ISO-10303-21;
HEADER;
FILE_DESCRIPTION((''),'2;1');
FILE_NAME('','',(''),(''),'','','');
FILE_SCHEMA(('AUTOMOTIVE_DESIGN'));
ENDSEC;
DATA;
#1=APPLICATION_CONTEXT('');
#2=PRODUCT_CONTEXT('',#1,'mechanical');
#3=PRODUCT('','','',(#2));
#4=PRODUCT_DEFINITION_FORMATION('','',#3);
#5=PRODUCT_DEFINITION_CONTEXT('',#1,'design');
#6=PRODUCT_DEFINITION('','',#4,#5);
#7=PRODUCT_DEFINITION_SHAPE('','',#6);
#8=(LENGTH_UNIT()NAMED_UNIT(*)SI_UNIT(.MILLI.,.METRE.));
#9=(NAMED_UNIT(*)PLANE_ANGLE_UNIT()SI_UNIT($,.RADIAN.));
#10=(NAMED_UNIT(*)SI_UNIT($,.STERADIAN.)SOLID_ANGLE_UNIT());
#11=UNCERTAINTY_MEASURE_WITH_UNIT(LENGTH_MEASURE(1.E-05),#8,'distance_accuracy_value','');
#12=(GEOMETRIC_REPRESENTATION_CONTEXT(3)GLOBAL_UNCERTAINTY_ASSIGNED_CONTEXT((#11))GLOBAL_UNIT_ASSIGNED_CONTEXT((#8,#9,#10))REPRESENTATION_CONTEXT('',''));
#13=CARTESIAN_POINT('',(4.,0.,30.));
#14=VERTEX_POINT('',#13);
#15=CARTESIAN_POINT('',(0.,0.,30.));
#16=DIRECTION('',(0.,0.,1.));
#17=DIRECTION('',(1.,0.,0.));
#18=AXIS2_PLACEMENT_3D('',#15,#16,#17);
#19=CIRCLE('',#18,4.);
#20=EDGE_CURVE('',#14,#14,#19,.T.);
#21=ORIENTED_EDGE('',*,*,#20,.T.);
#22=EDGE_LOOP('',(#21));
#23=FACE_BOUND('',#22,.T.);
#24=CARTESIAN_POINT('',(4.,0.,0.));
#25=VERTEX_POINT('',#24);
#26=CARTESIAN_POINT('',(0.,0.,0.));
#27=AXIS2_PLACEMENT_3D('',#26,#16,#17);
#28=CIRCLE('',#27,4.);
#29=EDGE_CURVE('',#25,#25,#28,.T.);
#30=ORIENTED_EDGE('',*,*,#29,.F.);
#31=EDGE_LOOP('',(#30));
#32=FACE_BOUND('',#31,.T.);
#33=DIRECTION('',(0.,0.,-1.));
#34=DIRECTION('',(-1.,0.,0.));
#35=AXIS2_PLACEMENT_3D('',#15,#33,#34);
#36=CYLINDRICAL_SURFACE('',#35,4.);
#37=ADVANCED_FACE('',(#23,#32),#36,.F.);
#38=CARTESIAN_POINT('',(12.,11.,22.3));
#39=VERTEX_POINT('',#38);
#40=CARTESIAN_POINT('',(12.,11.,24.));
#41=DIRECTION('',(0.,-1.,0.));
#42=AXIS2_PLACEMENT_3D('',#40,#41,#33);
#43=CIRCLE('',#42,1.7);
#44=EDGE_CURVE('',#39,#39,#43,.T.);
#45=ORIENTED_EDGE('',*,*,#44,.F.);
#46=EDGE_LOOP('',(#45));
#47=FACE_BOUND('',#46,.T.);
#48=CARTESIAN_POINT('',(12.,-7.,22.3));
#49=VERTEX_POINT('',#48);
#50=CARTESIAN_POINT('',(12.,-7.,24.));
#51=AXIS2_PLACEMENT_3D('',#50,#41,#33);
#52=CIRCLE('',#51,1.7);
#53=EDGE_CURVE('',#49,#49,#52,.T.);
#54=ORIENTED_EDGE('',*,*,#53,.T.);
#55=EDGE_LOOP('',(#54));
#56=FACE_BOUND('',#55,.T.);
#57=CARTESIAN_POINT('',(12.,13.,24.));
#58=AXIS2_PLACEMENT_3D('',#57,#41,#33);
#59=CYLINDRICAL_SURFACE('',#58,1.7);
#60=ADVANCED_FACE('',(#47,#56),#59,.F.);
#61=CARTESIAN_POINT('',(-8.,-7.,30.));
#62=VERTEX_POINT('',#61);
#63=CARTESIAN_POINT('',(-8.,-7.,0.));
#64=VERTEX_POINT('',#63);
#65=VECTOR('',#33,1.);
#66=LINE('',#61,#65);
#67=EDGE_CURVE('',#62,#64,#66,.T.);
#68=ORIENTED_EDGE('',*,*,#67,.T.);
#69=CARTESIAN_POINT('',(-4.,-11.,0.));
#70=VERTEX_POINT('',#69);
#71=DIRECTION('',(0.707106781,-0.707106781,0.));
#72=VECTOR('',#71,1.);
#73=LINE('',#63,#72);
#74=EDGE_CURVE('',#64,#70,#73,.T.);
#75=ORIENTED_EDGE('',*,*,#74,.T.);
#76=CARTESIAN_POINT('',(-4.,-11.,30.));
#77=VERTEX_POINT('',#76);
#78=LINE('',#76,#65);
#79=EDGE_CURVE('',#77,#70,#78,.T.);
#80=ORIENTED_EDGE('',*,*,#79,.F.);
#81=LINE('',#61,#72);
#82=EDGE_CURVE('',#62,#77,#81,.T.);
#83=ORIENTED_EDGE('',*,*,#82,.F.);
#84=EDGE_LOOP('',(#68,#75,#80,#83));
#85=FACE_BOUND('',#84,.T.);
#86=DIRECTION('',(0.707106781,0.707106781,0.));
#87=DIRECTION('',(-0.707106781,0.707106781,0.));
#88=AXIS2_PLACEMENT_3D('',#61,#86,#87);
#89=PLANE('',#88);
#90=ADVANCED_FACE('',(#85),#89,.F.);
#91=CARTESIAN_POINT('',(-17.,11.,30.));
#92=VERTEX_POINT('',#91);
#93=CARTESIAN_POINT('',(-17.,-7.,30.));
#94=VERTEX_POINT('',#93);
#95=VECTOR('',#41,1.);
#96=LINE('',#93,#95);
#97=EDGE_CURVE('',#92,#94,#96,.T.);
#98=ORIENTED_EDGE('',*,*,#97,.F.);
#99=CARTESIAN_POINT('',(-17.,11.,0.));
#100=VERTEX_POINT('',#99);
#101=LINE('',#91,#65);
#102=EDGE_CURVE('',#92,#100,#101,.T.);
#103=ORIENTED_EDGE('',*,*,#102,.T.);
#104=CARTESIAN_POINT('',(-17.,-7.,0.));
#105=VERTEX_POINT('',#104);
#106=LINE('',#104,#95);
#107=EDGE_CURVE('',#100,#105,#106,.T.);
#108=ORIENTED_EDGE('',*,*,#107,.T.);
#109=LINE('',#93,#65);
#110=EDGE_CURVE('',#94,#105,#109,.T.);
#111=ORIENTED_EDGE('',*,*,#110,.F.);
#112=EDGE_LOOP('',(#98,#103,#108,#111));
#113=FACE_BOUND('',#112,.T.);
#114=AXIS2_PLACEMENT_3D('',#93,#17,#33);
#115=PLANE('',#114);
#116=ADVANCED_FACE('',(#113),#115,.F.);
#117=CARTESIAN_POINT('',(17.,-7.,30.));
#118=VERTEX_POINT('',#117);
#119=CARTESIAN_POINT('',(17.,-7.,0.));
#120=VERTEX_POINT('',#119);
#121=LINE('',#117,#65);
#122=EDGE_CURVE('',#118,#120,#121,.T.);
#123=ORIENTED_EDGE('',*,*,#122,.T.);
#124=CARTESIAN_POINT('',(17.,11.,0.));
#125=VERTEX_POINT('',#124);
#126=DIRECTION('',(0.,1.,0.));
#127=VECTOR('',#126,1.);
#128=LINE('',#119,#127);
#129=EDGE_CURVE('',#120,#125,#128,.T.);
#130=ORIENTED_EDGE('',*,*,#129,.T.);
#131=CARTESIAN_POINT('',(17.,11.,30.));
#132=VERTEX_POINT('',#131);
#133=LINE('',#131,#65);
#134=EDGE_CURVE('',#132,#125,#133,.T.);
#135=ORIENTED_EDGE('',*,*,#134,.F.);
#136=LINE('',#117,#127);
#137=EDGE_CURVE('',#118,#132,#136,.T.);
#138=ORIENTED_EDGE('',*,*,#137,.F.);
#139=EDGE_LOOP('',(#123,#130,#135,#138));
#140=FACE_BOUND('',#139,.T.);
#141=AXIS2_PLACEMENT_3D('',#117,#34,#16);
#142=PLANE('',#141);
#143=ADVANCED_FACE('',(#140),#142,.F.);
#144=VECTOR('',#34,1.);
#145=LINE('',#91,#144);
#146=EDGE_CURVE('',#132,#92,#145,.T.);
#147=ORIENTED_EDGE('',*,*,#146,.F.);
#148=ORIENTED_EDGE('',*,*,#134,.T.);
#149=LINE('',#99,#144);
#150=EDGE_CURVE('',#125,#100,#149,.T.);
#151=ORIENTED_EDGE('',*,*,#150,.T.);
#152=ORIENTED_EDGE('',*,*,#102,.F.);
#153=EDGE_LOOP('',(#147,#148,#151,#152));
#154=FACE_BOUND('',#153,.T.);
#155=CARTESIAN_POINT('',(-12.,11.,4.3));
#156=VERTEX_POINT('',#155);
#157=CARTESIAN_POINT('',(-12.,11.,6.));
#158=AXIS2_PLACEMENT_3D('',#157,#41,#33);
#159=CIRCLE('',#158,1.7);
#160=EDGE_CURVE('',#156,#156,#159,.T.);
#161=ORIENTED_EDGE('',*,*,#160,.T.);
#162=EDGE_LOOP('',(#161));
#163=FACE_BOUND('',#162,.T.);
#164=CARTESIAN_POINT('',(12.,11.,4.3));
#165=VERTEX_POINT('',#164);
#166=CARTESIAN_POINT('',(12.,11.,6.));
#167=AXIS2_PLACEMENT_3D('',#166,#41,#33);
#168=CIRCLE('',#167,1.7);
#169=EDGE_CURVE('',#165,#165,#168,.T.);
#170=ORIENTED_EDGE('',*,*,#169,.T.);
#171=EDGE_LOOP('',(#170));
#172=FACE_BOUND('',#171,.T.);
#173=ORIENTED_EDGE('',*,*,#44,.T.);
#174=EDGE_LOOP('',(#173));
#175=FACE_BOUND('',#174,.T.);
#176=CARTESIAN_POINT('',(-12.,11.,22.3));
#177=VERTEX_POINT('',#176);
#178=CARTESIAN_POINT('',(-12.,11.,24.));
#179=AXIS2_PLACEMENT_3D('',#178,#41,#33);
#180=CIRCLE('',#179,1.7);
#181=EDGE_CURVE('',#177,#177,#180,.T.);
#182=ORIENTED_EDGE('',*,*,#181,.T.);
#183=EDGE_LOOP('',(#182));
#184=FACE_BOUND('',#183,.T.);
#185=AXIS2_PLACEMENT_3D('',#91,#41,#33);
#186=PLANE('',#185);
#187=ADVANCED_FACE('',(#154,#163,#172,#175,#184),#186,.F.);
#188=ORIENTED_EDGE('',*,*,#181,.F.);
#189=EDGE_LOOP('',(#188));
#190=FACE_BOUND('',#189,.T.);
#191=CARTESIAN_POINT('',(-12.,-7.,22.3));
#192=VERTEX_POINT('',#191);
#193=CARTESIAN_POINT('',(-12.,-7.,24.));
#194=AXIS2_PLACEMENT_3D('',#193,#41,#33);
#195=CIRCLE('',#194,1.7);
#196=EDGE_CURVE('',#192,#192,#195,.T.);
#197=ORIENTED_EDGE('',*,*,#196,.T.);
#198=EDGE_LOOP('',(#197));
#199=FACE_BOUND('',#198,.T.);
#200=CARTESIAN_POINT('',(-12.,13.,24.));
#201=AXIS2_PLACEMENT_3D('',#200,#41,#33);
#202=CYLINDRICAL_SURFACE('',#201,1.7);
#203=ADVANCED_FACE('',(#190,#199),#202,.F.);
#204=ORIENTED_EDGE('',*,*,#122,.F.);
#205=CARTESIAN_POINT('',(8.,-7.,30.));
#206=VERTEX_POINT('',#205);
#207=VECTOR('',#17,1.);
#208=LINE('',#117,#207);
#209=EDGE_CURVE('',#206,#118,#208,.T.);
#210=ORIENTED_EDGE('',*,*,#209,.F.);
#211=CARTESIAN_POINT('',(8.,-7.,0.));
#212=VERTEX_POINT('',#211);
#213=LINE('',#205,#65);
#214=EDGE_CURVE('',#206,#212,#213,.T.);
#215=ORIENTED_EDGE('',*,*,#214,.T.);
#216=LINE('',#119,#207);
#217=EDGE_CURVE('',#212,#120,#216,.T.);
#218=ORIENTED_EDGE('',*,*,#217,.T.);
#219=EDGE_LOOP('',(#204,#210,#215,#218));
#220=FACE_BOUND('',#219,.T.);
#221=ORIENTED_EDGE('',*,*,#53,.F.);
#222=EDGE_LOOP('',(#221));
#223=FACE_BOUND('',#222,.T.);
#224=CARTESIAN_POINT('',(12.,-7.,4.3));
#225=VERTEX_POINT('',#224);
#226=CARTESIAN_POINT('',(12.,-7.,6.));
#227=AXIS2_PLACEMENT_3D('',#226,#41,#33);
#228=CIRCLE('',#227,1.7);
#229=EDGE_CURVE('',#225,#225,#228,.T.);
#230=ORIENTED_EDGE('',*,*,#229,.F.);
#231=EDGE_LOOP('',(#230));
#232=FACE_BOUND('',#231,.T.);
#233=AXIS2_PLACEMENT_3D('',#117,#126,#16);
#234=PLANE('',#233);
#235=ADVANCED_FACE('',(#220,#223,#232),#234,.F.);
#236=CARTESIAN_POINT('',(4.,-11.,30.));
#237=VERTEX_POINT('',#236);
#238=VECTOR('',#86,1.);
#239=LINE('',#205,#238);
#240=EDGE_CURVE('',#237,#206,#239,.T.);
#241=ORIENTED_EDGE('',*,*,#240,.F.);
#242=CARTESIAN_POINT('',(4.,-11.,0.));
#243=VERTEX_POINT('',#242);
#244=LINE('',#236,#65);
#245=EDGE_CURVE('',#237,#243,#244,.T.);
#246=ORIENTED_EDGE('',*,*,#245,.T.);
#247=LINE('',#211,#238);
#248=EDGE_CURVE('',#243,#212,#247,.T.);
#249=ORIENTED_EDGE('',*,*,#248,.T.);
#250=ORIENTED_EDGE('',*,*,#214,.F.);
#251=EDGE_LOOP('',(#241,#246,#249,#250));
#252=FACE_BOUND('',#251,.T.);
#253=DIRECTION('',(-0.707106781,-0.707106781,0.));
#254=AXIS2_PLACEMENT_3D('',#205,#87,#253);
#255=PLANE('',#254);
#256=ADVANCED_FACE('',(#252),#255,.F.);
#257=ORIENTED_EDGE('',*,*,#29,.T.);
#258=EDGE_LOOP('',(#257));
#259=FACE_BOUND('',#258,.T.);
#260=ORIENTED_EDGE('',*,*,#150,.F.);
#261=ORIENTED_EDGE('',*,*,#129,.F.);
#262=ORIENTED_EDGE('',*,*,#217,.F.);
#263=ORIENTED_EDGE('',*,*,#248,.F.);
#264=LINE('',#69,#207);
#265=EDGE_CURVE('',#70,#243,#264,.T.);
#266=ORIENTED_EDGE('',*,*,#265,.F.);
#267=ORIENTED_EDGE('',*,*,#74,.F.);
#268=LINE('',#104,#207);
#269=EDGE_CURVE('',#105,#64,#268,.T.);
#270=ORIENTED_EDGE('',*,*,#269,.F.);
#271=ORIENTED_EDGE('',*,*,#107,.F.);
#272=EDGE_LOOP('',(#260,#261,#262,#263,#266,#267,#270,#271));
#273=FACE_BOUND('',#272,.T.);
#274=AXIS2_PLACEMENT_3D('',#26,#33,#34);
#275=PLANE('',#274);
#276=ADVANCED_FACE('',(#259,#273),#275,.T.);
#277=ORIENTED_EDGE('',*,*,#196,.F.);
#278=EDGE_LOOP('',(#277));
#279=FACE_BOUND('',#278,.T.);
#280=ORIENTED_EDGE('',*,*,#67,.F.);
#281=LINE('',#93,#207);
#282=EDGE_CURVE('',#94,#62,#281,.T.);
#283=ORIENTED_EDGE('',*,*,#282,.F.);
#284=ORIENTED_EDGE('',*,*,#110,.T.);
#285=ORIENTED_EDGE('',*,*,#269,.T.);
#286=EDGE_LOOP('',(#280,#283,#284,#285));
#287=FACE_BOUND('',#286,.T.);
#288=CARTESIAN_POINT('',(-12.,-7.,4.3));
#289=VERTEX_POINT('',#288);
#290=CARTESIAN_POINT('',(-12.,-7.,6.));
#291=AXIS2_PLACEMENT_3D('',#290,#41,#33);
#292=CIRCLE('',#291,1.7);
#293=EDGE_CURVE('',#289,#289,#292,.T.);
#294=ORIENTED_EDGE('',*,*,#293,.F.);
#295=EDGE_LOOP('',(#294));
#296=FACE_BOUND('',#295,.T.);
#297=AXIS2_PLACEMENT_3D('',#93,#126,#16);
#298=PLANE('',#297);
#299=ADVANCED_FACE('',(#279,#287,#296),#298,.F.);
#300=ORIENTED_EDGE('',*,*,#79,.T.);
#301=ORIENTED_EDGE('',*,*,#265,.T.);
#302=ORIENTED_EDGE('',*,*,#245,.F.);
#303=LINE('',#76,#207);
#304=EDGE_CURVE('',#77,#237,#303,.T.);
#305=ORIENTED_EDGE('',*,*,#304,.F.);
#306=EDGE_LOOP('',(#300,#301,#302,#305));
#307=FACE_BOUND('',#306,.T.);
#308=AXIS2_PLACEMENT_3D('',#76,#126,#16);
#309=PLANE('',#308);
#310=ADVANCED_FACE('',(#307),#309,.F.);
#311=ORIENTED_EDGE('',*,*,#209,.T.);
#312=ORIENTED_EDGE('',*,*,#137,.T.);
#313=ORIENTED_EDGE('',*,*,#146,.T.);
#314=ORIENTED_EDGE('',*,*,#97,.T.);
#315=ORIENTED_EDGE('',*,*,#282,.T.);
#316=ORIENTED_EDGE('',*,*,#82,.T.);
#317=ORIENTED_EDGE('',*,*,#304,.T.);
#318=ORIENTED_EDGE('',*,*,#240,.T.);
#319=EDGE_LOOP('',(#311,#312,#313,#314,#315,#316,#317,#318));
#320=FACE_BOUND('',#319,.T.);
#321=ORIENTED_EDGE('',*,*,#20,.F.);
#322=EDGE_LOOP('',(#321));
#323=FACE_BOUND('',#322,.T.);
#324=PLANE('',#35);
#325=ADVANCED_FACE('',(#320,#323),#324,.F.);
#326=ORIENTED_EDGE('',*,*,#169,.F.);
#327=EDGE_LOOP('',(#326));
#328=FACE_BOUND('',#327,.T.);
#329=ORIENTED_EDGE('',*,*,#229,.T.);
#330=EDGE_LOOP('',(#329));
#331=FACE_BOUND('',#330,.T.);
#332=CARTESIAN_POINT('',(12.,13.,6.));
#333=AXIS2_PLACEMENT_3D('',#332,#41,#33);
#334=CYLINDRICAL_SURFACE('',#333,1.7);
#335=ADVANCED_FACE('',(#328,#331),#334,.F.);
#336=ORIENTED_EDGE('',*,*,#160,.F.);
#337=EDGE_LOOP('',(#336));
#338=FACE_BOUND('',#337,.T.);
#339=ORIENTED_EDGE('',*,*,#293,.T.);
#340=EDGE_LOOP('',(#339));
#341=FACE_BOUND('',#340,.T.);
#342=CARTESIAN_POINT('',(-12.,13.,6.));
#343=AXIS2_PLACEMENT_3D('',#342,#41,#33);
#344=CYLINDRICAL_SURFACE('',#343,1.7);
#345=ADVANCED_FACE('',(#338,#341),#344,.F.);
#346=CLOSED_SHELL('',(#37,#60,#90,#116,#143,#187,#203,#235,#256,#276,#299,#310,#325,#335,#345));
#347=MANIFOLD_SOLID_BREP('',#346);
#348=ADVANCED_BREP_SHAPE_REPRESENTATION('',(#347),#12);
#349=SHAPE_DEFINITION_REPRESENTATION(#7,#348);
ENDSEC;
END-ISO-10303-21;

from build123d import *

# Parameters (mm, degrees)
SKETCH_1_R          = 4
EXTRUDE_1_DEPTH     = 30
SKETCH_2_R          = 1.7
CUT_EXTRUDE_1_DEPTH = 20


with BuildPart() as part:
    # 草图1 → 凸台-拉伸1 (new body)
    with BuildSketch(Plane.XY):
        Polygon((-17, -7), (-8, -7), (-4, -11), (4, -11), (8, -7), (17, -7), (17, 11), (-17, 11), align=None)
        Circle(SKETCH_1_R, mode=Mode.SUBTRACT)
    extrude(amount=EXTRUDE_1_DEPTH)

    # 草图2 → 切除-拉伸1 (cut)
    with BuildSketch(Plane.XZ.offset(7)):
        with Locations(Location((-12, 24, 0), (0, 0, 270))):
            Circle(SKETCH_2_R)
        with Locations(Location((-12, 6, 0), (0, 0, 270))):
            Circle(SKETCH_2_R)
        with Locations(Location((12, 24, 0), (0, 0, 270))):
            Circle(SKETCH_2_R)
        with Locations(Location((12, 6, 0), (0, 0, 270))):
            Circle(SKETCH_2_R)
    extrude(amount=-CUT_EXTRUDE_1_DEPTH, mode=Mode.SUBTRACT)


solid = part.part
